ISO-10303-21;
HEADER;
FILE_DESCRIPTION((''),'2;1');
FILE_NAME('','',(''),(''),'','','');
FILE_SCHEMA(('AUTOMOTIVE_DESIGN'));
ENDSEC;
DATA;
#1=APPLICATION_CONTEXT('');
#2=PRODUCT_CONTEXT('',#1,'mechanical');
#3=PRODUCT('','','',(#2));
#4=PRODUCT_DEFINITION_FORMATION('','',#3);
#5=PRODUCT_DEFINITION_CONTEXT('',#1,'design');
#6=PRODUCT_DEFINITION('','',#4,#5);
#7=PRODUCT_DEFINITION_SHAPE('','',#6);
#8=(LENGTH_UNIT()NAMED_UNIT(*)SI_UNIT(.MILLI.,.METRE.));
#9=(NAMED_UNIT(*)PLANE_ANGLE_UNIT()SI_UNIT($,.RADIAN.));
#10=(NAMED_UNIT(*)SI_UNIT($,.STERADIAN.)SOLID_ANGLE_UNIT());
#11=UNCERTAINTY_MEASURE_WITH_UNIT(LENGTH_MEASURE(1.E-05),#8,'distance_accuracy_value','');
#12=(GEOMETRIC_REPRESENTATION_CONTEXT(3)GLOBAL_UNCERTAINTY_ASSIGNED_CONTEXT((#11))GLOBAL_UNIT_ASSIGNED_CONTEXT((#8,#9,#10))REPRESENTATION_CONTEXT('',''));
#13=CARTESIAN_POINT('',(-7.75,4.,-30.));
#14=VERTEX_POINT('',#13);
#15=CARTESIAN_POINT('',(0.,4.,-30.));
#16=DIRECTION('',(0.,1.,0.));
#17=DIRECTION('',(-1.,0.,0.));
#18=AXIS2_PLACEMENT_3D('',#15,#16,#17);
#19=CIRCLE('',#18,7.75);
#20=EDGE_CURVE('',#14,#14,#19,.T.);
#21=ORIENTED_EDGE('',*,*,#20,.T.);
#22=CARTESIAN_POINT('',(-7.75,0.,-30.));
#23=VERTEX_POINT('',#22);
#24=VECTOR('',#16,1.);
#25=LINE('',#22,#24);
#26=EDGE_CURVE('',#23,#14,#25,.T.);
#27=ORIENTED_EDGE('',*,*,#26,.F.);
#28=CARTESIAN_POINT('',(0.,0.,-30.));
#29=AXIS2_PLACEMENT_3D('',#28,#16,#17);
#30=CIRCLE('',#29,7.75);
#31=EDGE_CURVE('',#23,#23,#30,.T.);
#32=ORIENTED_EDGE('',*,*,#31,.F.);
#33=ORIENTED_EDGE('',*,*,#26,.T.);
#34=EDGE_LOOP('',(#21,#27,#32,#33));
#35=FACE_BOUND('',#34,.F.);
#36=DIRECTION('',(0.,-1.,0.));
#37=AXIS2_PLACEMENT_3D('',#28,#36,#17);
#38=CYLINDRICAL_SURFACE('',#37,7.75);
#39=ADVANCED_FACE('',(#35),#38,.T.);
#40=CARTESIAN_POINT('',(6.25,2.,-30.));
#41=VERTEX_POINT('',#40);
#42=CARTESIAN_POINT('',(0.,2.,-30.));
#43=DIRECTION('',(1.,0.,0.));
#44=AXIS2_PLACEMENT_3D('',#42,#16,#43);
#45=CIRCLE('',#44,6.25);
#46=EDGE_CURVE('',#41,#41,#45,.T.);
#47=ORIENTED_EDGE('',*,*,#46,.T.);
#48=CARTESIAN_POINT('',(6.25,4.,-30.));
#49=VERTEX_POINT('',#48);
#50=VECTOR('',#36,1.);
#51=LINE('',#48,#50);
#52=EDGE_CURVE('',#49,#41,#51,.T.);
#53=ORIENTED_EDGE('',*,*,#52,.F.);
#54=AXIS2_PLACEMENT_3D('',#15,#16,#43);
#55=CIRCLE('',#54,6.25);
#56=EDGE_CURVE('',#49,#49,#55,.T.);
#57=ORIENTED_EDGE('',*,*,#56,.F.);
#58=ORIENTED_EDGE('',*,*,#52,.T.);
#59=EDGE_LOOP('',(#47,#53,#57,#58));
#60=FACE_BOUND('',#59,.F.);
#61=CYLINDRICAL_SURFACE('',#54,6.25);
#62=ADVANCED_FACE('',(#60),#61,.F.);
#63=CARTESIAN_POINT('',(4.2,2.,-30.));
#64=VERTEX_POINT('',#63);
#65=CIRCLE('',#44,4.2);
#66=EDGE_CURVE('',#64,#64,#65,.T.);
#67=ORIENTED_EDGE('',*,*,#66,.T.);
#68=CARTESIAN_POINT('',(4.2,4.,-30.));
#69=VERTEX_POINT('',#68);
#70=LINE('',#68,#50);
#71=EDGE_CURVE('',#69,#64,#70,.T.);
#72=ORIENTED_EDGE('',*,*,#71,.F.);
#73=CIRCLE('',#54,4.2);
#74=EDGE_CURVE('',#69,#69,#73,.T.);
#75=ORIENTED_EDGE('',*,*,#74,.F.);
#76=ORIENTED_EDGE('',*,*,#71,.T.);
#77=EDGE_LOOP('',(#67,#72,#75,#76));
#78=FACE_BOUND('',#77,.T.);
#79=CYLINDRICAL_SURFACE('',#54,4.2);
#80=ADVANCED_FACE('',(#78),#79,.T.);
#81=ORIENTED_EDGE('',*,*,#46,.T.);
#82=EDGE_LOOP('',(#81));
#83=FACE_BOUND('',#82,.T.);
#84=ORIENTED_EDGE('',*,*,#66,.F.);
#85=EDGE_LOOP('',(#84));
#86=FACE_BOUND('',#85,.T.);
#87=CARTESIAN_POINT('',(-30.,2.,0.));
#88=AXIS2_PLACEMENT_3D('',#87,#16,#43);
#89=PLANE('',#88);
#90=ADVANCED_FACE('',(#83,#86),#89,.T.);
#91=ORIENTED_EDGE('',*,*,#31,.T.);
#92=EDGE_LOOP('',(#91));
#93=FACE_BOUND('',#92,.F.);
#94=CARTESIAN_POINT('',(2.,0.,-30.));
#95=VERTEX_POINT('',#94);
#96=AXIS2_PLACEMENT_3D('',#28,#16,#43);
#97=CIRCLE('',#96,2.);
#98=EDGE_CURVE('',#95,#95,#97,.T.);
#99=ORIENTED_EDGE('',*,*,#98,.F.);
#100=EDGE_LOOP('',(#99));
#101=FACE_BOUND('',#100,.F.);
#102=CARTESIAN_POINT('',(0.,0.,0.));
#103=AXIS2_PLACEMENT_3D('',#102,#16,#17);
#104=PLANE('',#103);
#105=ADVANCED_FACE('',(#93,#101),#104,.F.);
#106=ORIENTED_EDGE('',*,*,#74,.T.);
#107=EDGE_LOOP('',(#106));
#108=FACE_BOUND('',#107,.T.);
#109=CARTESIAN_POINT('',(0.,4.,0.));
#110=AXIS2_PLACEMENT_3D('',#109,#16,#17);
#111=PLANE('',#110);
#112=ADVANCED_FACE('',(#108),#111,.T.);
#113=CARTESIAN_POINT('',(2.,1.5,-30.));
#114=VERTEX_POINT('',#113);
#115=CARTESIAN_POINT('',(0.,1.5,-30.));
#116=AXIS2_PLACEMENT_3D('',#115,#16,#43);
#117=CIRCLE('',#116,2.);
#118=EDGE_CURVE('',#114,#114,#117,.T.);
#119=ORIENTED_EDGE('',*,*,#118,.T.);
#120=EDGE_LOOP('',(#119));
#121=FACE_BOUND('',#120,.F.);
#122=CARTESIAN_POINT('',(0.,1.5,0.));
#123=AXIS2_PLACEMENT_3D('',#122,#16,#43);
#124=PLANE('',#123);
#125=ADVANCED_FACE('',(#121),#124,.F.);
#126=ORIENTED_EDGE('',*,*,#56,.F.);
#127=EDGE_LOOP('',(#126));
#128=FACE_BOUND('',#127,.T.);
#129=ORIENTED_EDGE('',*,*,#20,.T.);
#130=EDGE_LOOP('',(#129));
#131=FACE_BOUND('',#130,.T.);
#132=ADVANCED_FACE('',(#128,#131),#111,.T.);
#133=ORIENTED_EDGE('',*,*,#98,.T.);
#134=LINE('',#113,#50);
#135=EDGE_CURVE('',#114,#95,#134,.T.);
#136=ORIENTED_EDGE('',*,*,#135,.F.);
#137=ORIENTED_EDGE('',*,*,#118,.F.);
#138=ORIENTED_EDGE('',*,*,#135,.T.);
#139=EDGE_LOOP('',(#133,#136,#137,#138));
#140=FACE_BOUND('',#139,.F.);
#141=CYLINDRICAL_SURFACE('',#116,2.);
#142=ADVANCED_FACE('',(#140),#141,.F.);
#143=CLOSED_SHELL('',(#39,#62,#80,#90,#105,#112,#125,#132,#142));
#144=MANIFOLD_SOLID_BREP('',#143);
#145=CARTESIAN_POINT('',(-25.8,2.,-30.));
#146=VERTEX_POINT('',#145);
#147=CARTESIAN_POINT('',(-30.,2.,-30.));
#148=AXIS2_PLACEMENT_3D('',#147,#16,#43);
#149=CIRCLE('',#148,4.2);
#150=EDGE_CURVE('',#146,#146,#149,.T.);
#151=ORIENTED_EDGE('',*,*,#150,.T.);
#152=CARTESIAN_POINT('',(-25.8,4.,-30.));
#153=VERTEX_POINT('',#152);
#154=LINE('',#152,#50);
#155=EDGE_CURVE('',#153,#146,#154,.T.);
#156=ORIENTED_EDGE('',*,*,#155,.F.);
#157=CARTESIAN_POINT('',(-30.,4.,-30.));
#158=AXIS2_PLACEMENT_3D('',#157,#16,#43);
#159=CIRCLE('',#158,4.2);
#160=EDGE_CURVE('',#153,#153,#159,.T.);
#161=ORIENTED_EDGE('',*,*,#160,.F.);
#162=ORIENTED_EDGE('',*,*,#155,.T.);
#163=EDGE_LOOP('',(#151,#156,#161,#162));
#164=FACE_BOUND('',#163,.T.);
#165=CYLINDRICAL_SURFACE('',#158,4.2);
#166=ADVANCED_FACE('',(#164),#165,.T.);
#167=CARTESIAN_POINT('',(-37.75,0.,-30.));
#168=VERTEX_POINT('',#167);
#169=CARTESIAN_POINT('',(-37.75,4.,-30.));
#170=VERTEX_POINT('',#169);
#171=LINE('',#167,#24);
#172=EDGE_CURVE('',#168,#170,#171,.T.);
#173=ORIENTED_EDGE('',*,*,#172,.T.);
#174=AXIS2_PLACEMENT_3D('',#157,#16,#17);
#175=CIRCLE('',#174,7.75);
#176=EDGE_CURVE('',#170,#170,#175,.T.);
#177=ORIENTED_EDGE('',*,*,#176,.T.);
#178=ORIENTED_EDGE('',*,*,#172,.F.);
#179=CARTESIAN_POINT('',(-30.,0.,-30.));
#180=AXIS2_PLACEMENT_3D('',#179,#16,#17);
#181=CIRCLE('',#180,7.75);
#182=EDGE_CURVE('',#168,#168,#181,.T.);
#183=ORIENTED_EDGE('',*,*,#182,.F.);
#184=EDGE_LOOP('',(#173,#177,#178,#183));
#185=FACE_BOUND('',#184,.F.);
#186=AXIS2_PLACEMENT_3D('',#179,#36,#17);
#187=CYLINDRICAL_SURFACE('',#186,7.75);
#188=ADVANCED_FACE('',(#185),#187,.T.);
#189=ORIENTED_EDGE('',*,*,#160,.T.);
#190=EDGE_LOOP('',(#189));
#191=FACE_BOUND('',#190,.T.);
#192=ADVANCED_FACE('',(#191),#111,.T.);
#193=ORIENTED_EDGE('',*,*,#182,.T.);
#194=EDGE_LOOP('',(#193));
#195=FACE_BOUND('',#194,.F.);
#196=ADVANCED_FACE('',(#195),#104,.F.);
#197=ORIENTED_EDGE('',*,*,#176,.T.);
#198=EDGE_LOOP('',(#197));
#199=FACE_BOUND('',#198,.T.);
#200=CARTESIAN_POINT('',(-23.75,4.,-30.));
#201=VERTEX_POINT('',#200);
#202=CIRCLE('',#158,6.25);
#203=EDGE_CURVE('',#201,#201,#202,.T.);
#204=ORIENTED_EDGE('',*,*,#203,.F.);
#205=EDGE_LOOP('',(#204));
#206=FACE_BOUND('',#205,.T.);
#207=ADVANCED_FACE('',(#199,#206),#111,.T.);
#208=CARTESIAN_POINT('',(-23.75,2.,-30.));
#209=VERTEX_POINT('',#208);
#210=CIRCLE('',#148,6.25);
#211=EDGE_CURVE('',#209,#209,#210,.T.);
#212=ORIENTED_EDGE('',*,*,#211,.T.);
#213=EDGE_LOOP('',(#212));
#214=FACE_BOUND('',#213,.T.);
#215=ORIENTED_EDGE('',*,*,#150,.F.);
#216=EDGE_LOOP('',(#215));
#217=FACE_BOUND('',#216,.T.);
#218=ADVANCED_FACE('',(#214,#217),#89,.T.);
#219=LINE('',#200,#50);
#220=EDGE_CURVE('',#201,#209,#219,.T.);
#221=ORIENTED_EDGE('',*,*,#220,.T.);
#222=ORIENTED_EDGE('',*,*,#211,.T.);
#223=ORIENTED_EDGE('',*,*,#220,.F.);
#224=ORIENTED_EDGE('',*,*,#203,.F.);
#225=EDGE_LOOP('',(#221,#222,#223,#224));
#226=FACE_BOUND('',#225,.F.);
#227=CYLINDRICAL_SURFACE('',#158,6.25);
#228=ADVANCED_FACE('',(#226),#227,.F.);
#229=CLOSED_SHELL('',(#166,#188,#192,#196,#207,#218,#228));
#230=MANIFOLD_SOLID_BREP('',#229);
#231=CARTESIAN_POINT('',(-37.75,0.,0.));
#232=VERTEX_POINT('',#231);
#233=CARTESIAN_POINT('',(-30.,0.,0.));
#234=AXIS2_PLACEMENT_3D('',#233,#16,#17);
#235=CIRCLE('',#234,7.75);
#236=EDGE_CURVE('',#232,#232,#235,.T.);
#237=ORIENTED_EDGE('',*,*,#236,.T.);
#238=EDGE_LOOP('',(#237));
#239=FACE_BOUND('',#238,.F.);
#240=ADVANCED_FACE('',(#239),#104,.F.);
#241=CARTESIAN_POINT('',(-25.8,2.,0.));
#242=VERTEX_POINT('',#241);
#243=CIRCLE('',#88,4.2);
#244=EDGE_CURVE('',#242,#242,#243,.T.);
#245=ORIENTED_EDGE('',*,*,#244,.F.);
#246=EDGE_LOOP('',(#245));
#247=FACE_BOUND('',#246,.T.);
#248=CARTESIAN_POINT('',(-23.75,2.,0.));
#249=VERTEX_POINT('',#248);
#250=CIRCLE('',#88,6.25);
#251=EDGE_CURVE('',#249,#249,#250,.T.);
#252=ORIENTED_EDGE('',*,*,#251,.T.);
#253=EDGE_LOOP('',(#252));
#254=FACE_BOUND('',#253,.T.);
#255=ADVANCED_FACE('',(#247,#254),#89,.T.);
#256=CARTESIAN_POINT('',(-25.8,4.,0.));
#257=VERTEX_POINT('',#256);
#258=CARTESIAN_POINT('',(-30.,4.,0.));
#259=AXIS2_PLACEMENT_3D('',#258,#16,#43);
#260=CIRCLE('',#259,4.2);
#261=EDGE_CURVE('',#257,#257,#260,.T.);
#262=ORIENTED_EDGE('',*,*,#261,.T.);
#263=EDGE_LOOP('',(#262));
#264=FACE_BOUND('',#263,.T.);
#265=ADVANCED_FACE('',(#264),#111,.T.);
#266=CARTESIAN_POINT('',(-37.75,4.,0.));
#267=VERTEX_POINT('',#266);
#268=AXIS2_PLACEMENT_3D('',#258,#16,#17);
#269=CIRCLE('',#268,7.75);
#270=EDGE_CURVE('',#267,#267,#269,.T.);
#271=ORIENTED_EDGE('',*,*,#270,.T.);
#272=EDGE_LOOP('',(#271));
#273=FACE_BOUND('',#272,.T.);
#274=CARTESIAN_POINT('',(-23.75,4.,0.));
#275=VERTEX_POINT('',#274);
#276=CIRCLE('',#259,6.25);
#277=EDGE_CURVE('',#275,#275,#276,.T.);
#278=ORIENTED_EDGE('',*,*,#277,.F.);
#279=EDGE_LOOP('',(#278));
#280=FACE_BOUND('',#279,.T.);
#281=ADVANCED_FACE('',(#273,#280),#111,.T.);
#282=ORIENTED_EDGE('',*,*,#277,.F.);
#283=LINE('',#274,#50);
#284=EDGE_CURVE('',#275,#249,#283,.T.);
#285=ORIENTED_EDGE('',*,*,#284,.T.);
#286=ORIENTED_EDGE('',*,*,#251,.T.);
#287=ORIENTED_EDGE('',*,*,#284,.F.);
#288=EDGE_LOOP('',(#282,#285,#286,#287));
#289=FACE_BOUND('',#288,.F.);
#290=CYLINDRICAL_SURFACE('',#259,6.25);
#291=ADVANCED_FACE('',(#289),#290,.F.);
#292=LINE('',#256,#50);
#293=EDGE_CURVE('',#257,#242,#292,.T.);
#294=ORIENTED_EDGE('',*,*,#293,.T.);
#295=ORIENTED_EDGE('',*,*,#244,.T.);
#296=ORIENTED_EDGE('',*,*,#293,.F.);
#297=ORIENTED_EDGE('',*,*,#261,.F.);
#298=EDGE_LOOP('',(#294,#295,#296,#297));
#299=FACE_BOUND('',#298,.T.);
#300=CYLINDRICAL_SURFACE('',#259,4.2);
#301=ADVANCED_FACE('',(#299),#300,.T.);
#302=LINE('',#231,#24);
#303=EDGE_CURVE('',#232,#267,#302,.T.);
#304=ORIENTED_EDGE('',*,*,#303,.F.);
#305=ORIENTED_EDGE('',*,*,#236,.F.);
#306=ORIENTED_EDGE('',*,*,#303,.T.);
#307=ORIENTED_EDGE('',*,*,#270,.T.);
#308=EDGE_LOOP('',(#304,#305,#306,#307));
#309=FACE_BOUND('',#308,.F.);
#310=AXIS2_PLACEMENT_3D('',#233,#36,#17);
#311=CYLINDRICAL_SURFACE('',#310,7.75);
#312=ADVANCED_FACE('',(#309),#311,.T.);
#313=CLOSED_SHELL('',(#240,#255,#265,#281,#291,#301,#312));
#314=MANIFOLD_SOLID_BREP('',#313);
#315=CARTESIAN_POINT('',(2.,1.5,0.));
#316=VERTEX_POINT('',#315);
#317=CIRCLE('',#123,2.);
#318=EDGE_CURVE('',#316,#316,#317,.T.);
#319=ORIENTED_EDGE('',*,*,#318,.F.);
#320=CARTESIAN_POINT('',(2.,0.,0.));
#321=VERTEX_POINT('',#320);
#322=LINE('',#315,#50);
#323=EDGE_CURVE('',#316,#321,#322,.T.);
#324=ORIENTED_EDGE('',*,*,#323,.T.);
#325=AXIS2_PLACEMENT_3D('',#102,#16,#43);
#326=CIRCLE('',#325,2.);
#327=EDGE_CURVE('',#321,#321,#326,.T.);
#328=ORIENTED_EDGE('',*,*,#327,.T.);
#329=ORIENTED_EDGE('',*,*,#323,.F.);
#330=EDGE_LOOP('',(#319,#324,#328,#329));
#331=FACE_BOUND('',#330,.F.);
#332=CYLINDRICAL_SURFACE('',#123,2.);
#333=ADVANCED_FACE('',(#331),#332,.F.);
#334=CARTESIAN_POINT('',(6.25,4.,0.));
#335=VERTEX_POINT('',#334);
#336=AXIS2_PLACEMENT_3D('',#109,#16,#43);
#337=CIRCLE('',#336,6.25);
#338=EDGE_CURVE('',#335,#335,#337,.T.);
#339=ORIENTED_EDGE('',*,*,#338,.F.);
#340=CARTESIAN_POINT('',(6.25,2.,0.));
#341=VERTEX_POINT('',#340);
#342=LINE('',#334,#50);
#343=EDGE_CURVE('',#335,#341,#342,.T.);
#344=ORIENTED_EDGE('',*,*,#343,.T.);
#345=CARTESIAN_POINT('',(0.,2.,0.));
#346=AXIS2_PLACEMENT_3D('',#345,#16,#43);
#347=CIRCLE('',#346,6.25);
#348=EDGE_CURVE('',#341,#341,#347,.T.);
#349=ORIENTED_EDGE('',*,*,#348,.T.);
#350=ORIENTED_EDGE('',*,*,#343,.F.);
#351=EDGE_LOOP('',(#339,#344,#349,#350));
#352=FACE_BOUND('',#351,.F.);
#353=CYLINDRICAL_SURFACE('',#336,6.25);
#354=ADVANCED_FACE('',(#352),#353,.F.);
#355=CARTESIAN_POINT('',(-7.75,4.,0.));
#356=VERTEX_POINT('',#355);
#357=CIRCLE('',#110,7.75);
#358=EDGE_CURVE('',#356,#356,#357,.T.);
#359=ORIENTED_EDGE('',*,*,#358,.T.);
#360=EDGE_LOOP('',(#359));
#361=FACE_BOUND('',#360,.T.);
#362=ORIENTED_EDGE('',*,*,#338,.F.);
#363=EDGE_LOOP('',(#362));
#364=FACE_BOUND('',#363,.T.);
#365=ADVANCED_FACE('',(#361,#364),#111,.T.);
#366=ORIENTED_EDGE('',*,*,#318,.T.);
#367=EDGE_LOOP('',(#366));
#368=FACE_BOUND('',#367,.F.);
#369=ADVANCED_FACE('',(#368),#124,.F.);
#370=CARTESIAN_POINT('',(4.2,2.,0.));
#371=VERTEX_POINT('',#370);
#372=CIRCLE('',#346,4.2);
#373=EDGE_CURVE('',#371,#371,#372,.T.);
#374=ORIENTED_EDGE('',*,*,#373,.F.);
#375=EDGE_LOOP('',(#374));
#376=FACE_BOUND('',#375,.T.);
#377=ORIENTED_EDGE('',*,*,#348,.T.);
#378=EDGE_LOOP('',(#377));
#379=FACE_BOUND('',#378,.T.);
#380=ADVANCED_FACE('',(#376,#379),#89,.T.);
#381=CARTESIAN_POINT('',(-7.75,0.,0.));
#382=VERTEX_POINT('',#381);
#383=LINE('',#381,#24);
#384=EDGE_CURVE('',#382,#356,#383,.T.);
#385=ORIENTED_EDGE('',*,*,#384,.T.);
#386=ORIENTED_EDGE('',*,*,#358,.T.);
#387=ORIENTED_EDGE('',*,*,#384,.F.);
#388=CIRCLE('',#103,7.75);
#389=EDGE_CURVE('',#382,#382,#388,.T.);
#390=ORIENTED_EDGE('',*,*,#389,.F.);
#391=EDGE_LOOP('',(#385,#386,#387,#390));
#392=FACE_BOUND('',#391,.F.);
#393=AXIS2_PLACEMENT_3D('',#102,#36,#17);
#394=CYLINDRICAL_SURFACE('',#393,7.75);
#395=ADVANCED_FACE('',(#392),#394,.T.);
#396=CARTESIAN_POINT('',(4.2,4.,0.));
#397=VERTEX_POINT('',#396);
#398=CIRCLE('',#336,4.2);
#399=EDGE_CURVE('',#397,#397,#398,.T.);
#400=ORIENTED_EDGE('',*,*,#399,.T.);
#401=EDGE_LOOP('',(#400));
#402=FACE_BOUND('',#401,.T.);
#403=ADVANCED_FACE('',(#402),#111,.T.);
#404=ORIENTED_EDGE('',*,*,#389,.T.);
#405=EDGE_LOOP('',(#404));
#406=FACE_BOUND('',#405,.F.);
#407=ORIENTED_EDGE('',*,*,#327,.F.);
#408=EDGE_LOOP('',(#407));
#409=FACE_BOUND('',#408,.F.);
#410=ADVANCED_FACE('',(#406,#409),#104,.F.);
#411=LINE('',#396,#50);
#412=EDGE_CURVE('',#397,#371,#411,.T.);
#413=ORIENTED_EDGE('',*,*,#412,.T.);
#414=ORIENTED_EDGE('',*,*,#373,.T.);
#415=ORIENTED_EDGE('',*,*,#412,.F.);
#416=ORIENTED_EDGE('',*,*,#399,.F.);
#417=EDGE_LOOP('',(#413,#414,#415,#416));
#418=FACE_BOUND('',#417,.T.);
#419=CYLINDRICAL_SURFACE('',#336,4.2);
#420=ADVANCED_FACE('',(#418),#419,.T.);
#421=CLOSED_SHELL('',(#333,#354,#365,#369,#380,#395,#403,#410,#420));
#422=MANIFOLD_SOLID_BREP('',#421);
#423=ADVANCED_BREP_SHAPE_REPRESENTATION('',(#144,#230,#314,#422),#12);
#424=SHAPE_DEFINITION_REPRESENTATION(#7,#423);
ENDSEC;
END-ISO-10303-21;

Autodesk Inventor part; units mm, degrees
ref_plane "YZ Plane" through (0, 0, 0) normal (1, 0, 0) x (0, 1, 0)
ref_plane "XZ Plane" through (0, 0, 0) normal (0, 1, 0) x (-1, 0, 0)
sketch "Esboço1" plane through (0, 0, 0) normal (0, 1, 0) x (-1, 0, 0)
  circle A0 centre (0, 0) radius 7.75
  line L0 (0, 0) -> (0, -30) construction
  circle A1 centre (0, -30) radius 7.75
  line L1 (0, -30) -> (0, -60) construction
  circle A2 centre (30, 0) radius 7.75
  line L2 (30, 0) -> (30, -30) construction
  circle A3 centre (30, -30) radius 7.75
  line L3 (30, -30) -> (30, -60) construction
  line L4 (0, 0) -> (30, 0) construction
  dimension "d0" = 15.5
  dimension "d1" = 30
  dimension "d2" = 15.5
  dimension "d3" = 30
  dimension "d4" = 15.5
  dimension "d5" = 30
  dimension "d6" = 15.5
  dimension "d7" = 30
  dimension "d8" = 30
extrude "Extrusão1" add sketch "Esboço1" along normal blind 4
sketch "Esboço2" plane through (-30, 4, 0) normal (0, 1, 0) x (1, 0, 0)
  circle A0 centre (0, 0) radius 7.75 projected
  circle A1 centre (0, 30) radius 7.75 projected
  circle A2 centre (30, 30) radius 7.75 projected
  circle A3 centre (0, 0) radius 6.25
  circle A4 centre (0, 30) radius 6.25
  circle A5 centre (0, 0) radius 4.2
  circle A6 centre (0, 30) radius 4.2
  circle A7 centre (30, 0) radius 6.25
  circle A8 centre (30, 30) radius 6.25
  circle A9 centre (30, 0) radius 4.2
  circle A10 centre (30, 30) radius 4.2
  dimension "d12" = 12.5
  dimension "d13" = 12.5
  dimension "d17" = 8.4
  dimension "d18" = 8.4
  dimension "d25" = 12.5
  dimension "d26" = 12.5
  dimension "d27" = 8.4
  dimension "d28" = 8.4
ref_plane "Plano de trabalho1" through (0, 1.5, 0) normal (0, 1, 0) x (1, 0, 0)
sketch "Esboço3" plane through (0, 1.5, 0) normal (0, 1, 0) x (1, 0, 0)
  circle A0 centre (0, 0) radius 2
  circle A1 centre (0, 30) radius 6.25 projected
  circle A2 centre (0, 30) radius 2
  dimension "d21" = 4
  dimension "d22" = 4
extrude "Extrusão4" cut sketch "Esboço3" against normal blind 2.5 contours A0 | A2
extrude "Extrusão5" cut sketch "Esboço2" against normal blind 2 contours A3 | A4 | A7 | A8
properties part number "pé"
